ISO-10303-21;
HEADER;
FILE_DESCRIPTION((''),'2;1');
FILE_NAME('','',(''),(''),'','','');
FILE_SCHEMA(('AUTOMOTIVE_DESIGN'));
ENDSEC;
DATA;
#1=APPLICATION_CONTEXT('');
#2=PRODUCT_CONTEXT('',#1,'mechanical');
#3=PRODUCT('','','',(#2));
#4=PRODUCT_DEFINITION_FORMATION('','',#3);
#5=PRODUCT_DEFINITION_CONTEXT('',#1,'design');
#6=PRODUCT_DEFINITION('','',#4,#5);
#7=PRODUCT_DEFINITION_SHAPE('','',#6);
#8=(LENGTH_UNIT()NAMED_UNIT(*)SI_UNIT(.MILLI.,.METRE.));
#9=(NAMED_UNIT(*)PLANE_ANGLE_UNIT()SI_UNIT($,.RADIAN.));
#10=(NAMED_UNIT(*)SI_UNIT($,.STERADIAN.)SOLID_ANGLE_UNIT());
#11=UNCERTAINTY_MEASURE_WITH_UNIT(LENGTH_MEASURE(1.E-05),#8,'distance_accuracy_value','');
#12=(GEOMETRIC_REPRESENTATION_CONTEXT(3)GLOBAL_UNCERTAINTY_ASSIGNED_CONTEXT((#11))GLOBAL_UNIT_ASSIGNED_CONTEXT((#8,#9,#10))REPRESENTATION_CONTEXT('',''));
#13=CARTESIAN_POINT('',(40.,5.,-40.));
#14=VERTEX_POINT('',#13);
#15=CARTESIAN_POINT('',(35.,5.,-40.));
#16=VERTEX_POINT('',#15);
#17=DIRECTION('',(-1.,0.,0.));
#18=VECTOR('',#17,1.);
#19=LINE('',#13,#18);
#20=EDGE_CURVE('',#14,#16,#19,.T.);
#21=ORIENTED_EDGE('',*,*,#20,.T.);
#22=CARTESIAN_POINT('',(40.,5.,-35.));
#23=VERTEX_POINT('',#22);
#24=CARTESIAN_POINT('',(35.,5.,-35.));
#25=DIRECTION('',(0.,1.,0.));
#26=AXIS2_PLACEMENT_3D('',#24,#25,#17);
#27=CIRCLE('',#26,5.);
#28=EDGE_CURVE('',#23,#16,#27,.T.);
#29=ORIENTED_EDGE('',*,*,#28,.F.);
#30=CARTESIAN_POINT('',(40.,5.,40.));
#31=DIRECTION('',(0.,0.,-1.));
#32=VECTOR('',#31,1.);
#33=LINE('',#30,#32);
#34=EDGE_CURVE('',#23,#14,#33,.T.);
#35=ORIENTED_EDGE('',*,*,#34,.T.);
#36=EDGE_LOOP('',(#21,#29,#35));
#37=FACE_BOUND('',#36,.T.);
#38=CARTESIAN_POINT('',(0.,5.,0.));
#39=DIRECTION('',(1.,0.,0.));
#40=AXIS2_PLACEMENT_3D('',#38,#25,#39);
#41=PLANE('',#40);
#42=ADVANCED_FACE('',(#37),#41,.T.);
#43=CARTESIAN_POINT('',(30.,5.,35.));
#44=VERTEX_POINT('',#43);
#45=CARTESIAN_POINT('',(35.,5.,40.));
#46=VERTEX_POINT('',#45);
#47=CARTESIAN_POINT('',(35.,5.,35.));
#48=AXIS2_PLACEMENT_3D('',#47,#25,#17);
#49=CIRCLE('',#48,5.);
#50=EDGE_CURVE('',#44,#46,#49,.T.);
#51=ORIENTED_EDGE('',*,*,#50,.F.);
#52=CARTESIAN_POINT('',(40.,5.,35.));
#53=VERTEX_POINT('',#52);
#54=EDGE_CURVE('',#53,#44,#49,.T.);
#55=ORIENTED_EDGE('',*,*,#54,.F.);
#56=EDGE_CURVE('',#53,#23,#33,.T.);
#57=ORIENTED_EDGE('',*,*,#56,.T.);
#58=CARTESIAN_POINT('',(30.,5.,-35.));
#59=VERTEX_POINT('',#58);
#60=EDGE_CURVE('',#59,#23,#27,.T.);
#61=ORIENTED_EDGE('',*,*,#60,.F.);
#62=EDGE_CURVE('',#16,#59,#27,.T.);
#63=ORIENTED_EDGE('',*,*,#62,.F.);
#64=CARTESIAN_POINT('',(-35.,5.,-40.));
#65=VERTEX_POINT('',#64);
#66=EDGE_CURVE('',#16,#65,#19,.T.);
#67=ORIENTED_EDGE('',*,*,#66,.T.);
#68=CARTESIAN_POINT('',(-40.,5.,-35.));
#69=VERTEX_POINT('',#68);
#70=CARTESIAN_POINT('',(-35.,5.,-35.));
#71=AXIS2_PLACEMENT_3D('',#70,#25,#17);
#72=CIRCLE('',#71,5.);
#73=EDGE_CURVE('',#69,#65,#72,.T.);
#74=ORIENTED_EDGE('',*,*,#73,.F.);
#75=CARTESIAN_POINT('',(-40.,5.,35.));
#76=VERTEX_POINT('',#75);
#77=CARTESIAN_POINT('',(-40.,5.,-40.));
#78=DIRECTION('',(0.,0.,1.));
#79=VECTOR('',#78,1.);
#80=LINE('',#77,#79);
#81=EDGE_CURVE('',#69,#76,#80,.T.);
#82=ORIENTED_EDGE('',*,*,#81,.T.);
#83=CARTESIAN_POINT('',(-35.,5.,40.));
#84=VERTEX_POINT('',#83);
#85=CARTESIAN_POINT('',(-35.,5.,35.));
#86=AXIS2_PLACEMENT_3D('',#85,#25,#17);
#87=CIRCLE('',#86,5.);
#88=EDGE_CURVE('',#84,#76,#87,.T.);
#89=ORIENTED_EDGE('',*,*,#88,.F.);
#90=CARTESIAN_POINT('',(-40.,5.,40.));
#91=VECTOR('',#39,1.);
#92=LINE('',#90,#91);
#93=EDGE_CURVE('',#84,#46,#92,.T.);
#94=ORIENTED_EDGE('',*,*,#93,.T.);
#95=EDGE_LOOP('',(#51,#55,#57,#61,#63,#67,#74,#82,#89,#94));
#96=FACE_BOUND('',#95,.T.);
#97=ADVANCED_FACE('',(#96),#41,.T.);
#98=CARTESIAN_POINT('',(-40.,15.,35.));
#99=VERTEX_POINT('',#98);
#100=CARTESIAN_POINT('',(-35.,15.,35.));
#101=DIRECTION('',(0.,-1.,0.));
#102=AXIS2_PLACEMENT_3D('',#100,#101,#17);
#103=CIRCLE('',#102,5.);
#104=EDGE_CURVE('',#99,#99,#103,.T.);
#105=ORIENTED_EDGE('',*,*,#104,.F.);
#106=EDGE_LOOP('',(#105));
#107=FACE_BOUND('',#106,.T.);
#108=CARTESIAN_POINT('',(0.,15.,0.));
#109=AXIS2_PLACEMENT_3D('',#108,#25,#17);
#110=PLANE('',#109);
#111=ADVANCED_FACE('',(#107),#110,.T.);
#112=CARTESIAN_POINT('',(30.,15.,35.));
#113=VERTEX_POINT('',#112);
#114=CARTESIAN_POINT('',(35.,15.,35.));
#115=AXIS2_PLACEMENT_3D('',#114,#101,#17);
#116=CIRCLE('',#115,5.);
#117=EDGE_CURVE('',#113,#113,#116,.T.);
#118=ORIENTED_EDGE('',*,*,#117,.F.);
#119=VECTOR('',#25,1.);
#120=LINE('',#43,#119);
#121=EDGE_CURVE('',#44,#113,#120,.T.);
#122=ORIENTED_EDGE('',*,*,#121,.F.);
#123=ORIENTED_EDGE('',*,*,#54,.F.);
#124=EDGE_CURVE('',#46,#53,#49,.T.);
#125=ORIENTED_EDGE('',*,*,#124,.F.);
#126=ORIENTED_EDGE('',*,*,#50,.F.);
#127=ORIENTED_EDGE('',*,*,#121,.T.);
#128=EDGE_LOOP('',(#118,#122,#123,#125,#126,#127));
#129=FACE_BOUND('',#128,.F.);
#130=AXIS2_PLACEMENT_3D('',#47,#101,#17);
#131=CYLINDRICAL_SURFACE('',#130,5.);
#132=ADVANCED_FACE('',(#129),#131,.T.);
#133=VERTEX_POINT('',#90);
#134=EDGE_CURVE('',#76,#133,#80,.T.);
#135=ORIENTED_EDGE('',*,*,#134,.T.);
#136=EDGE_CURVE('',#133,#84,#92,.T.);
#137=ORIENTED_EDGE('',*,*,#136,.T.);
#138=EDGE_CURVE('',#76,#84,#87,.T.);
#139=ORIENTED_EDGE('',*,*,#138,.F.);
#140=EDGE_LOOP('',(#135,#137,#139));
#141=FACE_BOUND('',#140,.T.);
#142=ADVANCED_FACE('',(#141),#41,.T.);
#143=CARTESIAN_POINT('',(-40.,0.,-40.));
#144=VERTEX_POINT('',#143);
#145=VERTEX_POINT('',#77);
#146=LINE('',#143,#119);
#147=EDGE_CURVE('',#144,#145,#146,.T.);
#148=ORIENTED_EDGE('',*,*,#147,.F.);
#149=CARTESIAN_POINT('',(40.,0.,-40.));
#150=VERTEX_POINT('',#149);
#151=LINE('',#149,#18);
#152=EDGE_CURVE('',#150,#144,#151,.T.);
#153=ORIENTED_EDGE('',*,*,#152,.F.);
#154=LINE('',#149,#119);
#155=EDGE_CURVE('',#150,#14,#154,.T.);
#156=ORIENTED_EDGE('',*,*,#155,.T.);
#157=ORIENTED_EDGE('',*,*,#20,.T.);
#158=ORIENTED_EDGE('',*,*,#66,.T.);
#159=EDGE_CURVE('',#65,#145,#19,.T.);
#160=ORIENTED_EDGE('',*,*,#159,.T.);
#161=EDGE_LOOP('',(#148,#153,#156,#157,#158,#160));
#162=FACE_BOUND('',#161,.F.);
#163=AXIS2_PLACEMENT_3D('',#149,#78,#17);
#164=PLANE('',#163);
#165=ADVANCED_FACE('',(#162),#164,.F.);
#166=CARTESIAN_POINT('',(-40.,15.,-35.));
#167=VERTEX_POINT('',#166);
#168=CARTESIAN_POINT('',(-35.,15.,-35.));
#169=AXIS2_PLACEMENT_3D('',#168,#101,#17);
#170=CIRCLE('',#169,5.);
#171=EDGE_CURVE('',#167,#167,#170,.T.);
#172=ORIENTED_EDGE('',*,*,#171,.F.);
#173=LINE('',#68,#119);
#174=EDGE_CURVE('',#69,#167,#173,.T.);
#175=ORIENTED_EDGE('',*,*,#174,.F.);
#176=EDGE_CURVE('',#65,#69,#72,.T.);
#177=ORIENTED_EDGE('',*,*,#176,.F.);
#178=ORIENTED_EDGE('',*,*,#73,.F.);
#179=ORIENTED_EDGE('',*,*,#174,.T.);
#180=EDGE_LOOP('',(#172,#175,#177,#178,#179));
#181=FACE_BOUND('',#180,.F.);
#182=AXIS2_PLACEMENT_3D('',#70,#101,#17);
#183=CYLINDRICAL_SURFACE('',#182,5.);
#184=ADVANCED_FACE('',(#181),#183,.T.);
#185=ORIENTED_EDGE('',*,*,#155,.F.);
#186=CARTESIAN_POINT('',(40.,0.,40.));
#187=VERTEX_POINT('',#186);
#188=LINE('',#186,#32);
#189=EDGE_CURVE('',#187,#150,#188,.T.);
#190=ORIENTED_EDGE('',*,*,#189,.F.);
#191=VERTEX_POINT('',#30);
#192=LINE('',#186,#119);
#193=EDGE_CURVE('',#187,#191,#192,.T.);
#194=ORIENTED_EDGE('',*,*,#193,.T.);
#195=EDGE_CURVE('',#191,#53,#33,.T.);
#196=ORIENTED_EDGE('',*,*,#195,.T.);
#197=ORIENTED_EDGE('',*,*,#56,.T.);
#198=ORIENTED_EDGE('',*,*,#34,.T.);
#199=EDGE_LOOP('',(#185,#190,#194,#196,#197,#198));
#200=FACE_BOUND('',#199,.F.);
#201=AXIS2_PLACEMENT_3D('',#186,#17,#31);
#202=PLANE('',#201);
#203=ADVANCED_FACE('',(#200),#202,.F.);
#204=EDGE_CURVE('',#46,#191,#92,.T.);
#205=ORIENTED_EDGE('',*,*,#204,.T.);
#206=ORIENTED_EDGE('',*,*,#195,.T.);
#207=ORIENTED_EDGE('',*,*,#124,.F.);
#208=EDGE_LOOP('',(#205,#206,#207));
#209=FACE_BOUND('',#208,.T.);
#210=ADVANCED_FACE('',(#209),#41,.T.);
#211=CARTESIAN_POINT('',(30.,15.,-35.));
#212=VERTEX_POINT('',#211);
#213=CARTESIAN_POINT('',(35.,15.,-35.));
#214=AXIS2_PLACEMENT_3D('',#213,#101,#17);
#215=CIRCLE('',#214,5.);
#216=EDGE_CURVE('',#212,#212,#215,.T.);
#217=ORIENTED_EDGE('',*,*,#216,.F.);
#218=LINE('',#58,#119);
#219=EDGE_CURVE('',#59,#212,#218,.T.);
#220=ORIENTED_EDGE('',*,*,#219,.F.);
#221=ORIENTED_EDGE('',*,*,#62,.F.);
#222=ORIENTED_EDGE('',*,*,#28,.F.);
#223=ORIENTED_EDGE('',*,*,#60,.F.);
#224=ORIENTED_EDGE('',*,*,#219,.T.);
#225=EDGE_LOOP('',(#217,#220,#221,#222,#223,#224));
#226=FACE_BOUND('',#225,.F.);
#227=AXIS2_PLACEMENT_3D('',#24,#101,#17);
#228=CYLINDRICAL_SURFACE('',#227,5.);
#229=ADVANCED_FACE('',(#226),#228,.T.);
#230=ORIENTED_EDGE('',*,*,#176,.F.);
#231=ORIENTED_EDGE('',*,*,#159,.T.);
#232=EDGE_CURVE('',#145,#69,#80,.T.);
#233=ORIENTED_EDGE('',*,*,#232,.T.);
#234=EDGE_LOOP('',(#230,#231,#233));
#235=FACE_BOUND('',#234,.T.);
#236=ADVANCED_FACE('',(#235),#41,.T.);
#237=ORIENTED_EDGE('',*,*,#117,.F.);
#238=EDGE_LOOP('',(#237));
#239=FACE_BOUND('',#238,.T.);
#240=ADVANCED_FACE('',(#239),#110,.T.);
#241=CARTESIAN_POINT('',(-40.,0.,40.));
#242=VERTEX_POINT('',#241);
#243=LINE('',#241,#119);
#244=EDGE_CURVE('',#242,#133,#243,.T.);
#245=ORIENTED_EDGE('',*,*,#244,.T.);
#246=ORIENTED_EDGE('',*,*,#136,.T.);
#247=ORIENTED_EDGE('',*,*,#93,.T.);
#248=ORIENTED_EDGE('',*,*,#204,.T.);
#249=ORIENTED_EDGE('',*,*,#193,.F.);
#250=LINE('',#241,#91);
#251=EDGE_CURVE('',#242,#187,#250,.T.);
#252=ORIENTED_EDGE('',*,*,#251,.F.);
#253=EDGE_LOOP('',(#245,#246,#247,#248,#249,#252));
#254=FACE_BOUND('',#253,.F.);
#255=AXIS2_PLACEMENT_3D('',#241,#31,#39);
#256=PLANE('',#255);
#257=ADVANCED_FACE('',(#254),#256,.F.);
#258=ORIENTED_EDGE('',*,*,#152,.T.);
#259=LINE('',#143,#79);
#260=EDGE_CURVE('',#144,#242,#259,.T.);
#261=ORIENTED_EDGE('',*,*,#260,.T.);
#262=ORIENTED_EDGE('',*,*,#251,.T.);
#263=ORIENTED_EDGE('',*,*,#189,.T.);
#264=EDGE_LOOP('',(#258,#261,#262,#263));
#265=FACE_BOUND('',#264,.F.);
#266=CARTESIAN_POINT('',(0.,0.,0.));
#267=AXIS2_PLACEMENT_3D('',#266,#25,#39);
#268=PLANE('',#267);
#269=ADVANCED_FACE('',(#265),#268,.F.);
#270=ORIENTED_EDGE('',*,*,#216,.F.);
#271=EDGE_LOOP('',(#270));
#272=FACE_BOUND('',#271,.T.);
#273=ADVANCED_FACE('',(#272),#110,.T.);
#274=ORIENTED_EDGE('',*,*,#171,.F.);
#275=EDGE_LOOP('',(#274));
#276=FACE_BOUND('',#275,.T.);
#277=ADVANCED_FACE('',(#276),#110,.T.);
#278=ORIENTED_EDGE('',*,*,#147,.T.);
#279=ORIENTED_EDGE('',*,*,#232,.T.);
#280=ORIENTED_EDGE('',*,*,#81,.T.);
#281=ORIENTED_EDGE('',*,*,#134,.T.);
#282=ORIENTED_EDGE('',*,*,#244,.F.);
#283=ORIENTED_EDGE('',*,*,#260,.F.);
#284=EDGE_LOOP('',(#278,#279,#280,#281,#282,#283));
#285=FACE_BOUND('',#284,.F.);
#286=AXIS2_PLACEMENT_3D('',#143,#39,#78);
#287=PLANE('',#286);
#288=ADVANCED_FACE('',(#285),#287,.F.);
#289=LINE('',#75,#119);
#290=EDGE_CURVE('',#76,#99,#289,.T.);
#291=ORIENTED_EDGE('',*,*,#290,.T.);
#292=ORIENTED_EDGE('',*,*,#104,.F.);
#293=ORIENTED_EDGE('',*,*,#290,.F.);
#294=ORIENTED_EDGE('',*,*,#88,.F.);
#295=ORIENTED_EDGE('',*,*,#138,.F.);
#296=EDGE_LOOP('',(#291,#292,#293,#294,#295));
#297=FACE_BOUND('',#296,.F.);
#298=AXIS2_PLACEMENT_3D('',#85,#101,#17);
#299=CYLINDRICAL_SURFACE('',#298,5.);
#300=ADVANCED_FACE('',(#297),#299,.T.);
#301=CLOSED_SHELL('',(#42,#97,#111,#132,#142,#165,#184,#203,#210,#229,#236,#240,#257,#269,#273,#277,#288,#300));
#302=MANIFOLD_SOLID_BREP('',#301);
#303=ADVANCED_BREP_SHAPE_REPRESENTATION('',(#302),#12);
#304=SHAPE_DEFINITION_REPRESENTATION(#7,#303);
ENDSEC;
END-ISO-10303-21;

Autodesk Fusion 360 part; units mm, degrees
sketch "Sketch1" plane through (0, 0, 0) normal (0, 1, 0) x (1, 0, 0)
  line L0 (-40, -40) -> (40, -40)
  line L1 (40, -40) -> (40, 40)
  line L2 (40, 40) -> (-40, 40)
  line L3 (-40, 40) -> (-40, -40)
extrude "Extrude1" add sketch "Sketch1" along normal blind 5
sketch "Sketch3" plane through (0, 5, 0) normal (0, 1, 0) x (-1, 0, 0)
  line L0 (40, -40) -> (40, 40)
  line L1 (40, 40) -> (-40, 40)
  line L2 (-40, 40) -> (-40, -40)
  line L3 (-40, -40) -> (40, -40)
  circle A0 centre (35, 35) radius 5
  circle A1 centre (-35, 35) radius 5
  circle A2 centre (-35, -35) radius 5
  circle A3 centre (35, -35) radius 5
  dimension "d8" = 10
  dimension "d9" = 10
  dimension "d10" = 10
  dimension "d11" = 10
extrude "Extrude3" add sketch "Sketch3" along normal blind 10 contours A3 | A0 | A2 | A1
